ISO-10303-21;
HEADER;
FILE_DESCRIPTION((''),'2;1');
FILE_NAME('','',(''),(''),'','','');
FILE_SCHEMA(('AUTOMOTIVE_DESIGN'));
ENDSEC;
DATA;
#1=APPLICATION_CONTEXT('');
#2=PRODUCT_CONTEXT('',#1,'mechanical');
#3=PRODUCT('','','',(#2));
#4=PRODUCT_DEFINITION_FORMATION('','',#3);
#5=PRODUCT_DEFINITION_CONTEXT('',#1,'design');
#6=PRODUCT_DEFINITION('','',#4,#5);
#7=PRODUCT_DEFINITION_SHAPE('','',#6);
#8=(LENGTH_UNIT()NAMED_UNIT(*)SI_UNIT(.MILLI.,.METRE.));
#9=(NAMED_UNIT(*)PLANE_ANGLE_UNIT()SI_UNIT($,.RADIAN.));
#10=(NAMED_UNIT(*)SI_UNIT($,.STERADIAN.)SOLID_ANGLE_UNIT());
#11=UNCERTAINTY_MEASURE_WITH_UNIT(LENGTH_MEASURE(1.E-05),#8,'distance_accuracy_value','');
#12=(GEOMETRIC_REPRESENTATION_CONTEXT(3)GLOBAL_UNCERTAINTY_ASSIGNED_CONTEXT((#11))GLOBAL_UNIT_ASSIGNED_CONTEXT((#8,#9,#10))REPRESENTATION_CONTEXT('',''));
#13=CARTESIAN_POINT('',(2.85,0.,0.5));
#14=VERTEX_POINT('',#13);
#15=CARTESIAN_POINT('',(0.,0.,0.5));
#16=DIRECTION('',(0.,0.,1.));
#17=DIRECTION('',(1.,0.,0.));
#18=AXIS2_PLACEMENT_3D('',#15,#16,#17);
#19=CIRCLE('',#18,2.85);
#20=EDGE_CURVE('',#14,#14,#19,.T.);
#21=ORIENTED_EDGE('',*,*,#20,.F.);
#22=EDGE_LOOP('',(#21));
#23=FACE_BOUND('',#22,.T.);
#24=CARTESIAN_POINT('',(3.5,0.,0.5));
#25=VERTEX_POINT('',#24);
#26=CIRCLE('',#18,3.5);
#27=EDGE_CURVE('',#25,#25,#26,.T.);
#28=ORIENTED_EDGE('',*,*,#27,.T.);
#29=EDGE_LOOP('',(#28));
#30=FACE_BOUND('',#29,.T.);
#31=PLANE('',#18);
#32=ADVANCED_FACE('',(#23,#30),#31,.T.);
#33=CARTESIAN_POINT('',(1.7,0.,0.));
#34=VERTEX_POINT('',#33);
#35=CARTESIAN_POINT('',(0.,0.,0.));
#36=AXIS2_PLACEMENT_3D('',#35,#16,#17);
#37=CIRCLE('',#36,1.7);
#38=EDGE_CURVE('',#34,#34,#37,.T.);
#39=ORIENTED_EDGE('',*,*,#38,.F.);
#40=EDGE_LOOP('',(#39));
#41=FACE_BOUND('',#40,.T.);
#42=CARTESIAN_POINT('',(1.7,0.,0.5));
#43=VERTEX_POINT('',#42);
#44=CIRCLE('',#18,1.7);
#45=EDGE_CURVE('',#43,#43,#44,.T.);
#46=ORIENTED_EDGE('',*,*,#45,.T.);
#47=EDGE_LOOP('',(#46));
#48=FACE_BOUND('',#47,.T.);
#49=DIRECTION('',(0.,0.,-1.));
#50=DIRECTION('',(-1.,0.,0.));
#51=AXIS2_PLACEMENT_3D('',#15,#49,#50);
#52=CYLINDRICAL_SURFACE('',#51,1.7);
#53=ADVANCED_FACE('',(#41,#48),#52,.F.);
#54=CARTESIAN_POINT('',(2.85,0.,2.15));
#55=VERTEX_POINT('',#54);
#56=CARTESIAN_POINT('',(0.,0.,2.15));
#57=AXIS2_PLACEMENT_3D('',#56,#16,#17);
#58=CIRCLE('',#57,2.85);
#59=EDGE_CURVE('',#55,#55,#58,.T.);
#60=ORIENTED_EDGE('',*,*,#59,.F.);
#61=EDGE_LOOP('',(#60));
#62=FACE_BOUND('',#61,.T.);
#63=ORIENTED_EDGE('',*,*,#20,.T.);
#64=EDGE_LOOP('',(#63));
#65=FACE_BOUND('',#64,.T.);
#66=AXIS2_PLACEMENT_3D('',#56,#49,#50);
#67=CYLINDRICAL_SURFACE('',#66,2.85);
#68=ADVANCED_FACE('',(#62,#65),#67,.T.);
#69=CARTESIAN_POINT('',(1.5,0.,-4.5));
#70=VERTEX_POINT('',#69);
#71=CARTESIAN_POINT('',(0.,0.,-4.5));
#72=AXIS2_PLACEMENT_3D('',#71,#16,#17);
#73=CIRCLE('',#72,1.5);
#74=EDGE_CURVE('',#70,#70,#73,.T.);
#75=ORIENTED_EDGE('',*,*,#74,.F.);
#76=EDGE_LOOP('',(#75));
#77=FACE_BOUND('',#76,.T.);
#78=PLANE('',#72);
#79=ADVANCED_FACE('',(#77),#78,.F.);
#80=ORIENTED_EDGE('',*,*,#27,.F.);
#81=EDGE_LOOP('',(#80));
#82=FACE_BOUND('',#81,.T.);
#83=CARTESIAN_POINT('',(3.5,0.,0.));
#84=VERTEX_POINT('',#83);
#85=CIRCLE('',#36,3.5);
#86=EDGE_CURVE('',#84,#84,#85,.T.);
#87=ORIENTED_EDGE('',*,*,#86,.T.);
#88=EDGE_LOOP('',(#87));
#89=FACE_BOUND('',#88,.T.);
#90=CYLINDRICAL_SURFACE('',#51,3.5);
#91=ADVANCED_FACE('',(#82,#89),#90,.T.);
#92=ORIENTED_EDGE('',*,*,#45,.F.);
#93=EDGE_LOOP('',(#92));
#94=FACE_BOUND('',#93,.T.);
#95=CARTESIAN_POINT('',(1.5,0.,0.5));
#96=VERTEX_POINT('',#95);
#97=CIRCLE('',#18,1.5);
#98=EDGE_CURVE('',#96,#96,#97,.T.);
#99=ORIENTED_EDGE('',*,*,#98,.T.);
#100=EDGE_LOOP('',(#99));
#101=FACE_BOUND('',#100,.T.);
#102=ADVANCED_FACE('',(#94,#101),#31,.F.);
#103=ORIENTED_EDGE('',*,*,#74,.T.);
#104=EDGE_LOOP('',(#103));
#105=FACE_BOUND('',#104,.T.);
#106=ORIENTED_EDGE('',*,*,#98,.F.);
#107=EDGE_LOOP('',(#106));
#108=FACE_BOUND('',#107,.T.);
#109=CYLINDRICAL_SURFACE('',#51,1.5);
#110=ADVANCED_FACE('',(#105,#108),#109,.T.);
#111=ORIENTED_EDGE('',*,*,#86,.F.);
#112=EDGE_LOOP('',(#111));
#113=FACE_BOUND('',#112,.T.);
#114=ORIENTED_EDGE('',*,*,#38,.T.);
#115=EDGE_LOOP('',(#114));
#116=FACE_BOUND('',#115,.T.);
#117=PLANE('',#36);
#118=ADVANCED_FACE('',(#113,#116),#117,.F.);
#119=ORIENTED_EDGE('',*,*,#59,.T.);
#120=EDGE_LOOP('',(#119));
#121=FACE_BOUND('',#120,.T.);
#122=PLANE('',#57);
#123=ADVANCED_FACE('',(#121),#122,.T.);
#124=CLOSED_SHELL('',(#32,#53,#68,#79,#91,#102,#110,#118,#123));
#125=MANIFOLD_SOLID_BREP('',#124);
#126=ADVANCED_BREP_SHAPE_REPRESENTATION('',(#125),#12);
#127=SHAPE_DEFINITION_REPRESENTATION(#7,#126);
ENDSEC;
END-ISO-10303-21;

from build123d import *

# Parameters (mm, degrees)
LOW_START                          = 0.5
LOW_SCREW_HEAD_PROFILE_R           = 2.85
LOW_SCREW_HEAD_DEPTH               = 1.65
M3_START                           = -4.5
M3_SHANK_THREADS_OMITTED_PROFILE_R = 1.5
M3_SHANK_THREADS_OMITTED_DEPTH     = 5
M3_WASHER_ENVELOPE_PROFILE_R       = 3.5
M3_WASHER_ENVELOPE_PROFILE_R_2     = 1.7
M3_WASHER_ENVELOPE_DEPTH           = 0.5


with BuildPart() as part:
    # Low screw head profile → Low screw head (new body)
    with BuildSketch(Plane.XY.offset(LOW_START)):
        Circle(LOW_SCREW_HEAD_PROFILE_R)
    extrude(amount=LOW_SCREW_HEAD_DEPTH)

    # M3 shank, threads omitted profile → M3 shank, threads omitted (add)
    with BuildSketch(Plane.XY.offset(M3_START)):
        Circle(M3_SHANK_THREADS_OMITTED_PROFILE_R)
    extrude(amount=M3_SHANK_THREADS_OMITTED_DEPTH)

    # M3 washer envelope profile → M3 washer envelope (add)
    with BuildSketch(Plane.XY):
        Circle(M3_WASHER_ENVELOPE_PROFILE_R)
        Circle(M3_WASHER_ENVELOPE_PROFILE_R_2, mode=Mode.SUBTRACT)
    extrude(amount=M3_WASHER_ENVELOPE_DEPTH)


solid = part.part
